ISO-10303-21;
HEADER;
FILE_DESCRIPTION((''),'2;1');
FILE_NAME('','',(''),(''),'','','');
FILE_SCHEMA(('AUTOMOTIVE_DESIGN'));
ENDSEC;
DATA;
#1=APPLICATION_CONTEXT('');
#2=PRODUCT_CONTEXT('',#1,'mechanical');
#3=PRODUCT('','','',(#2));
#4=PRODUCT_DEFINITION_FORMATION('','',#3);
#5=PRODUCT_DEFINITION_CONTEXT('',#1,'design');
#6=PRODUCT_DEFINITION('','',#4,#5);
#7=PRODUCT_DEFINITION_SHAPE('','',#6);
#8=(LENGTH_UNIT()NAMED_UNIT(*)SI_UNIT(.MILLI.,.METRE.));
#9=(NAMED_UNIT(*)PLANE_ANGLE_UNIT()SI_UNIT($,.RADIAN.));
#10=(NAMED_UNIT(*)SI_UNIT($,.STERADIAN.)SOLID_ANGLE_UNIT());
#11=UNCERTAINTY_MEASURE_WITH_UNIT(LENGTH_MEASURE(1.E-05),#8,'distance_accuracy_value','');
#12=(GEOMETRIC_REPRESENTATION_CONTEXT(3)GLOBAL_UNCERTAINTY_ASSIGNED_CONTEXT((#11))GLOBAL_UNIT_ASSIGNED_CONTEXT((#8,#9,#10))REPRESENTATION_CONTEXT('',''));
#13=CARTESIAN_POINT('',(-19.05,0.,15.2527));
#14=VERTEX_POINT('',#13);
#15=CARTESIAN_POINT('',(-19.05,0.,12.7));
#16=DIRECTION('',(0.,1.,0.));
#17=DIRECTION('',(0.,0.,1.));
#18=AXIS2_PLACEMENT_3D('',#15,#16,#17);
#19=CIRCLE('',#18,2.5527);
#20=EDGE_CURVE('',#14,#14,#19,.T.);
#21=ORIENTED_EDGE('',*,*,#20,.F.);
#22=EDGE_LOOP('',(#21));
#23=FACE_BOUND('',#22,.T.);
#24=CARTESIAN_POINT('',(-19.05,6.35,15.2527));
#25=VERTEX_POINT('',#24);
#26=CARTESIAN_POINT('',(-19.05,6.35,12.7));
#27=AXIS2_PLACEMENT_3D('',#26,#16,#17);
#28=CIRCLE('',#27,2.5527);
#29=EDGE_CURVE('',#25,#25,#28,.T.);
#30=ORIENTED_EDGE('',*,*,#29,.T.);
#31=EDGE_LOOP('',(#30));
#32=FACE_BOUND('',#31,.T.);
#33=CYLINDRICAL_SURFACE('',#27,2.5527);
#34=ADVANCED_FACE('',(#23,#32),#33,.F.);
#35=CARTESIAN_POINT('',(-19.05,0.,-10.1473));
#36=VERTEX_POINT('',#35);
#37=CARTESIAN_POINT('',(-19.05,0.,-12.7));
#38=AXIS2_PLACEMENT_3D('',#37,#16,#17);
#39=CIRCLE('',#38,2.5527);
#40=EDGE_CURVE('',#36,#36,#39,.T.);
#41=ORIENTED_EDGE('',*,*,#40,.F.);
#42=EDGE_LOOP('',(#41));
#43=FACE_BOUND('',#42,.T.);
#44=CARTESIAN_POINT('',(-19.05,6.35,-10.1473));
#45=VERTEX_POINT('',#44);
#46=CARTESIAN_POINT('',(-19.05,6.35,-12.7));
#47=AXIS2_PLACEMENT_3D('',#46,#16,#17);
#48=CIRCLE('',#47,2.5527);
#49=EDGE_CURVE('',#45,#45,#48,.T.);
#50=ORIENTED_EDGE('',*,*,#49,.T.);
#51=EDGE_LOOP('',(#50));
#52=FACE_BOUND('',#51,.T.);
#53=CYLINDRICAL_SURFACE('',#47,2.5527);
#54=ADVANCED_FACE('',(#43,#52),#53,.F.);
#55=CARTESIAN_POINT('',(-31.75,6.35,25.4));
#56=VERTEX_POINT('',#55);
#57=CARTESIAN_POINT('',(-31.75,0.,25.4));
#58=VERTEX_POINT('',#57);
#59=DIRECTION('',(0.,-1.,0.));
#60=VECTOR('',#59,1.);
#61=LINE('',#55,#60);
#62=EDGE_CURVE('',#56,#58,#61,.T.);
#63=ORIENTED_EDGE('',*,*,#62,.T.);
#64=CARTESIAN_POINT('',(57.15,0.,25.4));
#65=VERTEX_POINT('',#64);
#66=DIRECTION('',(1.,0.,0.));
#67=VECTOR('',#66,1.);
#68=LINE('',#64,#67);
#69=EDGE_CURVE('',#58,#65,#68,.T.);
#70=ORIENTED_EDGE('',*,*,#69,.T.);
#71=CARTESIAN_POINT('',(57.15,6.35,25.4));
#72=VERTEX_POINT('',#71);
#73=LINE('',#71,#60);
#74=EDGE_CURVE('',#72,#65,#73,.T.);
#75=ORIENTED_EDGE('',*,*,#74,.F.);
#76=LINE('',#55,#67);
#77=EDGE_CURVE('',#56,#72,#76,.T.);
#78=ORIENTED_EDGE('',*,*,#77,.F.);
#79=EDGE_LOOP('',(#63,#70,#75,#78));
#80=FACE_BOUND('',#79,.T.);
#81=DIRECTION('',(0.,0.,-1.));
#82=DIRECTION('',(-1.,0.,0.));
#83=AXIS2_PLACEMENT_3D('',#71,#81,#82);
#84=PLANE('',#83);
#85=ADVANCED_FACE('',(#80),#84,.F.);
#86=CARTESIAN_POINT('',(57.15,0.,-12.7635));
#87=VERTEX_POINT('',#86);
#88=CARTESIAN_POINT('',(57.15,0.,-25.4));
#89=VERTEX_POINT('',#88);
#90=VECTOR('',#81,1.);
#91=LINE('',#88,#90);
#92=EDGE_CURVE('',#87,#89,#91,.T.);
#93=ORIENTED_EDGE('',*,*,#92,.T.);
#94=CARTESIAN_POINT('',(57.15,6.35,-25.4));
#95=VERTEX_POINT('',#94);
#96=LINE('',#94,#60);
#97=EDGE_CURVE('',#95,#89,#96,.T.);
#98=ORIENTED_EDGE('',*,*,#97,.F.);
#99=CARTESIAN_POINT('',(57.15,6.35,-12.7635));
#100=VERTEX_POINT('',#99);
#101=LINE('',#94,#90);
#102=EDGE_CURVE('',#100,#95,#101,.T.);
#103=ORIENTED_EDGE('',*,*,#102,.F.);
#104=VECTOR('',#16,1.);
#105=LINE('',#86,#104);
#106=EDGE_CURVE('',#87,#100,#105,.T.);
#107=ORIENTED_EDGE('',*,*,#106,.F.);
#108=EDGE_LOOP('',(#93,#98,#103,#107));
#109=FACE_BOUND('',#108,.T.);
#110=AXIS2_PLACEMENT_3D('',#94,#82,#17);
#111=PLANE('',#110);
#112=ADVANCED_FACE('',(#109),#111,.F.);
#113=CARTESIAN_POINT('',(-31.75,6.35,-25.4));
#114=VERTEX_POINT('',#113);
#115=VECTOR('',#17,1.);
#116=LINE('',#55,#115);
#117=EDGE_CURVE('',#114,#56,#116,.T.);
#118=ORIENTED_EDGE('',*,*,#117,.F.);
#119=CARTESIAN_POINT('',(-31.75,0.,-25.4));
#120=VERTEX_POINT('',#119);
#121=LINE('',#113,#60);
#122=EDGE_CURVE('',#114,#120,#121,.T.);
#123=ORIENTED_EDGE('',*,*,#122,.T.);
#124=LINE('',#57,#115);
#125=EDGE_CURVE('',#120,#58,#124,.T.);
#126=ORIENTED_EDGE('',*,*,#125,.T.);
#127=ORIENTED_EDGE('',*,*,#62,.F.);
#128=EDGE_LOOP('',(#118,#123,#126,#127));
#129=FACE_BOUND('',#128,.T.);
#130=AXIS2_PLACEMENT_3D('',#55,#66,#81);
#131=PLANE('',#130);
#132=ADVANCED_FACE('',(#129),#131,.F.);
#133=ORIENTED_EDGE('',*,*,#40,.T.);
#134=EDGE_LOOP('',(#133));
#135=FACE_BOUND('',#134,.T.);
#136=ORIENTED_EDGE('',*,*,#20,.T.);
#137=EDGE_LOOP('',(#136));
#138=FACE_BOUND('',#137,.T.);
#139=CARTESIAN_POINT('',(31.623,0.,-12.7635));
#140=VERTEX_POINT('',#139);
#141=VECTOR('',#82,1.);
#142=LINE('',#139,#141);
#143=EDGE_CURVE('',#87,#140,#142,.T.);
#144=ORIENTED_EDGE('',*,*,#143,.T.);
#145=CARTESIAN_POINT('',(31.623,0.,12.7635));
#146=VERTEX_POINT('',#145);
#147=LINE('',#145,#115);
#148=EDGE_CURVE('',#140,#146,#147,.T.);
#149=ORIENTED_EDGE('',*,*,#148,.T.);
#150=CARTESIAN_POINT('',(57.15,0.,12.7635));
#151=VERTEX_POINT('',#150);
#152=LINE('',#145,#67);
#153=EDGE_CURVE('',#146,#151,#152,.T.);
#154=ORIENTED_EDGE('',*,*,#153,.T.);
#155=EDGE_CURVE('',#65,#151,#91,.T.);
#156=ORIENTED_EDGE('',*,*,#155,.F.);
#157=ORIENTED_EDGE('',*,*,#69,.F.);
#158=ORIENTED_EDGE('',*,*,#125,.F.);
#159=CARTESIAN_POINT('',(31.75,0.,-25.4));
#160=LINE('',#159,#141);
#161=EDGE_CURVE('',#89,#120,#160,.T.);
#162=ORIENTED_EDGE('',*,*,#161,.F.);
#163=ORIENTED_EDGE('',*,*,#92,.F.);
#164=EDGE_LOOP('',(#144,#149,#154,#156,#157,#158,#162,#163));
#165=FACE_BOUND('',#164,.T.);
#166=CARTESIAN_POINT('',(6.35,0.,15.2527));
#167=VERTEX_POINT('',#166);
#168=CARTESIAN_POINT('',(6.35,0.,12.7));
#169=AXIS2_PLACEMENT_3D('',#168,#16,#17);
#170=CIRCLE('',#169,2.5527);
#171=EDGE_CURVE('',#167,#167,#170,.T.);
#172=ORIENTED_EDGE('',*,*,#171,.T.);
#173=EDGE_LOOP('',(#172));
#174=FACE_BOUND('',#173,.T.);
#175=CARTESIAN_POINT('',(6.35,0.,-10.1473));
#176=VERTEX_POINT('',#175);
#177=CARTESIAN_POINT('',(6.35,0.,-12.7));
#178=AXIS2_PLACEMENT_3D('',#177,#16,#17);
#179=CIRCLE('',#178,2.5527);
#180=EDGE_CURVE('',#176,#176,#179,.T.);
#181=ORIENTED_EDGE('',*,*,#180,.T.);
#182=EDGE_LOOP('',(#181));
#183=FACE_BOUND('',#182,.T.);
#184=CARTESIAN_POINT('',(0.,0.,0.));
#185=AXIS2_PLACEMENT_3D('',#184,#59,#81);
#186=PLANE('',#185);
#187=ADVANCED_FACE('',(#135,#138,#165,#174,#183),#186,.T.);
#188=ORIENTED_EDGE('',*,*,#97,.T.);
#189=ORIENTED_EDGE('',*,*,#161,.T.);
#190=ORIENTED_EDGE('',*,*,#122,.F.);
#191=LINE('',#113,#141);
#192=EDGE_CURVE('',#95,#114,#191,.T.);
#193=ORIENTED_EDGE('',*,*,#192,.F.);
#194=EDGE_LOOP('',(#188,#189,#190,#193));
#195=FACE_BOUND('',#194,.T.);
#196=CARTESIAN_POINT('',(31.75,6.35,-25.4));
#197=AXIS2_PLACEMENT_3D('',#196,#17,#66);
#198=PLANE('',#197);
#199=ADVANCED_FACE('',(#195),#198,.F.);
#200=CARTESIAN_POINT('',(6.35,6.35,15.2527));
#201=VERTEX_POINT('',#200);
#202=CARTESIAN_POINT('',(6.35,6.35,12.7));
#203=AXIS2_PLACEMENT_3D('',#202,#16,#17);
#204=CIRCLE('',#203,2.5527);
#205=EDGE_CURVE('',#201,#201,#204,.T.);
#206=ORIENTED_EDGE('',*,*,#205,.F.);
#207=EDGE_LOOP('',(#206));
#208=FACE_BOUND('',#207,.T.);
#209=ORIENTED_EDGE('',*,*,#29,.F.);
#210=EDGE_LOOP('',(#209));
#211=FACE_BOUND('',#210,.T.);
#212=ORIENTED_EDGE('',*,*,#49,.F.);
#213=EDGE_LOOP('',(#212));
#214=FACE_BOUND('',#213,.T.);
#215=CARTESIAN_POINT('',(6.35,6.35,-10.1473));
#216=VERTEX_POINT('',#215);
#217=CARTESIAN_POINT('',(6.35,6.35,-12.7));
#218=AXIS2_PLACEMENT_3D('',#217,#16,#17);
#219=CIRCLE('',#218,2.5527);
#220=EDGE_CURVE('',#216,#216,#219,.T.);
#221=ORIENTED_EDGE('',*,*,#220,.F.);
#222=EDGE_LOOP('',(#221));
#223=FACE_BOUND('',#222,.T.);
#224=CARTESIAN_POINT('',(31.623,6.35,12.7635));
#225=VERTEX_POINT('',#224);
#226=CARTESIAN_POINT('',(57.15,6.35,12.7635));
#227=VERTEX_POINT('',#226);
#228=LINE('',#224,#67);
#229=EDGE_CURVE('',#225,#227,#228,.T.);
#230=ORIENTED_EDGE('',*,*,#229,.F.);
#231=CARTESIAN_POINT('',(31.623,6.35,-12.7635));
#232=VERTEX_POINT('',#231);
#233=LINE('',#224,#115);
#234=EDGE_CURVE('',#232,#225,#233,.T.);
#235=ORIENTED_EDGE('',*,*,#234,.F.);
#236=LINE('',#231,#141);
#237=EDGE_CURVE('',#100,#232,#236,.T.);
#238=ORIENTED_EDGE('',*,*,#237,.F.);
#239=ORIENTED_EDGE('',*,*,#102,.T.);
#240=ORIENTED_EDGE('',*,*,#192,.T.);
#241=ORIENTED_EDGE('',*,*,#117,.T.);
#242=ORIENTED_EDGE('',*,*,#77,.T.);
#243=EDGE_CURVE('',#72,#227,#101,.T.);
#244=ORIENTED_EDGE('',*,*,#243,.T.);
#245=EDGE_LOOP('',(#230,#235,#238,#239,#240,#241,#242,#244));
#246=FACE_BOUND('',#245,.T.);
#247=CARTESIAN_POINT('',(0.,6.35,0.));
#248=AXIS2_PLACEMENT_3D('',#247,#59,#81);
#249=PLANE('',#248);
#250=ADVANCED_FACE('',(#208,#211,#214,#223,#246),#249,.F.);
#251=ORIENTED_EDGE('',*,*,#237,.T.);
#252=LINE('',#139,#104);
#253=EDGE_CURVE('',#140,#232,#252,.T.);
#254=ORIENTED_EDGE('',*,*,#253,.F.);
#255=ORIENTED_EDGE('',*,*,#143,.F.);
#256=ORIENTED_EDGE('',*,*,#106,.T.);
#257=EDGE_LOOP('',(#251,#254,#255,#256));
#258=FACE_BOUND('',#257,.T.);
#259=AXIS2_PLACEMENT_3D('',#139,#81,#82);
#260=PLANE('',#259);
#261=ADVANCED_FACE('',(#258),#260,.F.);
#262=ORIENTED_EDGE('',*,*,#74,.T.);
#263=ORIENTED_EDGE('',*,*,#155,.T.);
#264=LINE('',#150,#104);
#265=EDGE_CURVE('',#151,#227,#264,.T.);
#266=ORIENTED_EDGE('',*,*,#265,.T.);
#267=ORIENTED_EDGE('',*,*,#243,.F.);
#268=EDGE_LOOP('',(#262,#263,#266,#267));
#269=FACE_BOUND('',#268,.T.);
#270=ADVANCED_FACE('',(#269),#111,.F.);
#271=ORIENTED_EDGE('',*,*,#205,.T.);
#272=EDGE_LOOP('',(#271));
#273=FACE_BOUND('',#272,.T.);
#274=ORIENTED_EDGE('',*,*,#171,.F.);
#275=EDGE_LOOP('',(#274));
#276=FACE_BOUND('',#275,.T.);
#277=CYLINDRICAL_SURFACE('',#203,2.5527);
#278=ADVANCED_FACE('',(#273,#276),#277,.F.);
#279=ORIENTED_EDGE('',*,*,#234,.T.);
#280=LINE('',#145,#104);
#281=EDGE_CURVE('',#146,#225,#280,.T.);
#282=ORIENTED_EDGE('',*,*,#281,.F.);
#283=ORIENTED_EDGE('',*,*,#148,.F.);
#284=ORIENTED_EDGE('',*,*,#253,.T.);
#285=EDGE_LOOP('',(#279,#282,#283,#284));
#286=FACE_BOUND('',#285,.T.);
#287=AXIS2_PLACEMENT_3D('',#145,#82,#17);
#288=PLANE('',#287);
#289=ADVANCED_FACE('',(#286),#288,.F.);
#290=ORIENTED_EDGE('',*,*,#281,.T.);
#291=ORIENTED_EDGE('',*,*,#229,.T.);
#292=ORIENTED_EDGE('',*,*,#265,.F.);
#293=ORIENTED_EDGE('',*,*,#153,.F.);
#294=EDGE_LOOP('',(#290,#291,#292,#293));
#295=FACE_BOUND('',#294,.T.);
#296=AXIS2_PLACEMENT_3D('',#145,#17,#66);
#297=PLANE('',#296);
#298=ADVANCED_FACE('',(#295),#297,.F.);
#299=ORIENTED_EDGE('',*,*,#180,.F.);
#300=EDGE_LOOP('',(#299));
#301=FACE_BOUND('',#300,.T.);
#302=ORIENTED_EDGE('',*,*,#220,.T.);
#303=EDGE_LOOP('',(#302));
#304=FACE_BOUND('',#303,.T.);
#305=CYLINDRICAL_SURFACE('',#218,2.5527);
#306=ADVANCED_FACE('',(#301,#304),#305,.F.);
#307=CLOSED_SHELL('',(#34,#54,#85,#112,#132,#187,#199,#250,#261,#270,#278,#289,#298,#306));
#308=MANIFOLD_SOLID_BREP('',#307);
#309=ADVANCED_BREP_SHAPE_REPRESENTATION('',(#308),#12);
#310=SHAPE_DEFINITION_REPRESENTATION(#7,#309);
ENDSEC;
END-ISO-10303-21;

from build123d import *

# Parameters (mm, degrees)
BOSS_EXTRUDE1_DEPTH    = 6.35
F_10_CLEARANCE_HOLE1_D = 5.1054
SKETCH5_W              = 25.527
SKETCH5_H              = 25.527
CUT_EXTRUDE1_DEPTH     = 63.861792847


with BuildPart() as part:
    # Sketch1 → Boss-Extrude1 (new body)
    with BuildSketch(Plane(origin=(0, 0, 0), x_dir=(1, 0, 0), z_dir=(0, 1, 0))):
        Polygon((31.75, 25.4), (57.15, 25.4), (57.15, -25.4), (31.75, -25.4), (-31.75, -25.4), (-31.75, 25.4), align=None)
    extrude(amount=BOSS_EXTRUDE1_DEPTH)

    # #10 Clearance Hole1 (through all)
    with Locations(Plane(origin=(0, 6.35, 0), x_dir=(1, 0, 0), z_dir=(0, 1, 0))):
        with Locations((-19.05, 12.7), (6.35, 12.7), (6.35, -12.7), (-19.05, -12.7)):
            Hole(F_10_CLEARANCE_HOLE1_D / 2)

    # Sketch5 → Cut-Extrude1 (cut, through all)
    with BuildSketch(Plane(origin=(0, 6.35, 0), x_dir=(1, 0, 0), z_dir=(0, 1, 0))):
        with Locations((44.3865, 0)):
            Rectangle(SKETCH5_W, SKETCH5_H)
    extrude(amount=-CUT_EXTRUDE1_DEPTH, mode=Mode.SUBTRACT)


solid = part.part
